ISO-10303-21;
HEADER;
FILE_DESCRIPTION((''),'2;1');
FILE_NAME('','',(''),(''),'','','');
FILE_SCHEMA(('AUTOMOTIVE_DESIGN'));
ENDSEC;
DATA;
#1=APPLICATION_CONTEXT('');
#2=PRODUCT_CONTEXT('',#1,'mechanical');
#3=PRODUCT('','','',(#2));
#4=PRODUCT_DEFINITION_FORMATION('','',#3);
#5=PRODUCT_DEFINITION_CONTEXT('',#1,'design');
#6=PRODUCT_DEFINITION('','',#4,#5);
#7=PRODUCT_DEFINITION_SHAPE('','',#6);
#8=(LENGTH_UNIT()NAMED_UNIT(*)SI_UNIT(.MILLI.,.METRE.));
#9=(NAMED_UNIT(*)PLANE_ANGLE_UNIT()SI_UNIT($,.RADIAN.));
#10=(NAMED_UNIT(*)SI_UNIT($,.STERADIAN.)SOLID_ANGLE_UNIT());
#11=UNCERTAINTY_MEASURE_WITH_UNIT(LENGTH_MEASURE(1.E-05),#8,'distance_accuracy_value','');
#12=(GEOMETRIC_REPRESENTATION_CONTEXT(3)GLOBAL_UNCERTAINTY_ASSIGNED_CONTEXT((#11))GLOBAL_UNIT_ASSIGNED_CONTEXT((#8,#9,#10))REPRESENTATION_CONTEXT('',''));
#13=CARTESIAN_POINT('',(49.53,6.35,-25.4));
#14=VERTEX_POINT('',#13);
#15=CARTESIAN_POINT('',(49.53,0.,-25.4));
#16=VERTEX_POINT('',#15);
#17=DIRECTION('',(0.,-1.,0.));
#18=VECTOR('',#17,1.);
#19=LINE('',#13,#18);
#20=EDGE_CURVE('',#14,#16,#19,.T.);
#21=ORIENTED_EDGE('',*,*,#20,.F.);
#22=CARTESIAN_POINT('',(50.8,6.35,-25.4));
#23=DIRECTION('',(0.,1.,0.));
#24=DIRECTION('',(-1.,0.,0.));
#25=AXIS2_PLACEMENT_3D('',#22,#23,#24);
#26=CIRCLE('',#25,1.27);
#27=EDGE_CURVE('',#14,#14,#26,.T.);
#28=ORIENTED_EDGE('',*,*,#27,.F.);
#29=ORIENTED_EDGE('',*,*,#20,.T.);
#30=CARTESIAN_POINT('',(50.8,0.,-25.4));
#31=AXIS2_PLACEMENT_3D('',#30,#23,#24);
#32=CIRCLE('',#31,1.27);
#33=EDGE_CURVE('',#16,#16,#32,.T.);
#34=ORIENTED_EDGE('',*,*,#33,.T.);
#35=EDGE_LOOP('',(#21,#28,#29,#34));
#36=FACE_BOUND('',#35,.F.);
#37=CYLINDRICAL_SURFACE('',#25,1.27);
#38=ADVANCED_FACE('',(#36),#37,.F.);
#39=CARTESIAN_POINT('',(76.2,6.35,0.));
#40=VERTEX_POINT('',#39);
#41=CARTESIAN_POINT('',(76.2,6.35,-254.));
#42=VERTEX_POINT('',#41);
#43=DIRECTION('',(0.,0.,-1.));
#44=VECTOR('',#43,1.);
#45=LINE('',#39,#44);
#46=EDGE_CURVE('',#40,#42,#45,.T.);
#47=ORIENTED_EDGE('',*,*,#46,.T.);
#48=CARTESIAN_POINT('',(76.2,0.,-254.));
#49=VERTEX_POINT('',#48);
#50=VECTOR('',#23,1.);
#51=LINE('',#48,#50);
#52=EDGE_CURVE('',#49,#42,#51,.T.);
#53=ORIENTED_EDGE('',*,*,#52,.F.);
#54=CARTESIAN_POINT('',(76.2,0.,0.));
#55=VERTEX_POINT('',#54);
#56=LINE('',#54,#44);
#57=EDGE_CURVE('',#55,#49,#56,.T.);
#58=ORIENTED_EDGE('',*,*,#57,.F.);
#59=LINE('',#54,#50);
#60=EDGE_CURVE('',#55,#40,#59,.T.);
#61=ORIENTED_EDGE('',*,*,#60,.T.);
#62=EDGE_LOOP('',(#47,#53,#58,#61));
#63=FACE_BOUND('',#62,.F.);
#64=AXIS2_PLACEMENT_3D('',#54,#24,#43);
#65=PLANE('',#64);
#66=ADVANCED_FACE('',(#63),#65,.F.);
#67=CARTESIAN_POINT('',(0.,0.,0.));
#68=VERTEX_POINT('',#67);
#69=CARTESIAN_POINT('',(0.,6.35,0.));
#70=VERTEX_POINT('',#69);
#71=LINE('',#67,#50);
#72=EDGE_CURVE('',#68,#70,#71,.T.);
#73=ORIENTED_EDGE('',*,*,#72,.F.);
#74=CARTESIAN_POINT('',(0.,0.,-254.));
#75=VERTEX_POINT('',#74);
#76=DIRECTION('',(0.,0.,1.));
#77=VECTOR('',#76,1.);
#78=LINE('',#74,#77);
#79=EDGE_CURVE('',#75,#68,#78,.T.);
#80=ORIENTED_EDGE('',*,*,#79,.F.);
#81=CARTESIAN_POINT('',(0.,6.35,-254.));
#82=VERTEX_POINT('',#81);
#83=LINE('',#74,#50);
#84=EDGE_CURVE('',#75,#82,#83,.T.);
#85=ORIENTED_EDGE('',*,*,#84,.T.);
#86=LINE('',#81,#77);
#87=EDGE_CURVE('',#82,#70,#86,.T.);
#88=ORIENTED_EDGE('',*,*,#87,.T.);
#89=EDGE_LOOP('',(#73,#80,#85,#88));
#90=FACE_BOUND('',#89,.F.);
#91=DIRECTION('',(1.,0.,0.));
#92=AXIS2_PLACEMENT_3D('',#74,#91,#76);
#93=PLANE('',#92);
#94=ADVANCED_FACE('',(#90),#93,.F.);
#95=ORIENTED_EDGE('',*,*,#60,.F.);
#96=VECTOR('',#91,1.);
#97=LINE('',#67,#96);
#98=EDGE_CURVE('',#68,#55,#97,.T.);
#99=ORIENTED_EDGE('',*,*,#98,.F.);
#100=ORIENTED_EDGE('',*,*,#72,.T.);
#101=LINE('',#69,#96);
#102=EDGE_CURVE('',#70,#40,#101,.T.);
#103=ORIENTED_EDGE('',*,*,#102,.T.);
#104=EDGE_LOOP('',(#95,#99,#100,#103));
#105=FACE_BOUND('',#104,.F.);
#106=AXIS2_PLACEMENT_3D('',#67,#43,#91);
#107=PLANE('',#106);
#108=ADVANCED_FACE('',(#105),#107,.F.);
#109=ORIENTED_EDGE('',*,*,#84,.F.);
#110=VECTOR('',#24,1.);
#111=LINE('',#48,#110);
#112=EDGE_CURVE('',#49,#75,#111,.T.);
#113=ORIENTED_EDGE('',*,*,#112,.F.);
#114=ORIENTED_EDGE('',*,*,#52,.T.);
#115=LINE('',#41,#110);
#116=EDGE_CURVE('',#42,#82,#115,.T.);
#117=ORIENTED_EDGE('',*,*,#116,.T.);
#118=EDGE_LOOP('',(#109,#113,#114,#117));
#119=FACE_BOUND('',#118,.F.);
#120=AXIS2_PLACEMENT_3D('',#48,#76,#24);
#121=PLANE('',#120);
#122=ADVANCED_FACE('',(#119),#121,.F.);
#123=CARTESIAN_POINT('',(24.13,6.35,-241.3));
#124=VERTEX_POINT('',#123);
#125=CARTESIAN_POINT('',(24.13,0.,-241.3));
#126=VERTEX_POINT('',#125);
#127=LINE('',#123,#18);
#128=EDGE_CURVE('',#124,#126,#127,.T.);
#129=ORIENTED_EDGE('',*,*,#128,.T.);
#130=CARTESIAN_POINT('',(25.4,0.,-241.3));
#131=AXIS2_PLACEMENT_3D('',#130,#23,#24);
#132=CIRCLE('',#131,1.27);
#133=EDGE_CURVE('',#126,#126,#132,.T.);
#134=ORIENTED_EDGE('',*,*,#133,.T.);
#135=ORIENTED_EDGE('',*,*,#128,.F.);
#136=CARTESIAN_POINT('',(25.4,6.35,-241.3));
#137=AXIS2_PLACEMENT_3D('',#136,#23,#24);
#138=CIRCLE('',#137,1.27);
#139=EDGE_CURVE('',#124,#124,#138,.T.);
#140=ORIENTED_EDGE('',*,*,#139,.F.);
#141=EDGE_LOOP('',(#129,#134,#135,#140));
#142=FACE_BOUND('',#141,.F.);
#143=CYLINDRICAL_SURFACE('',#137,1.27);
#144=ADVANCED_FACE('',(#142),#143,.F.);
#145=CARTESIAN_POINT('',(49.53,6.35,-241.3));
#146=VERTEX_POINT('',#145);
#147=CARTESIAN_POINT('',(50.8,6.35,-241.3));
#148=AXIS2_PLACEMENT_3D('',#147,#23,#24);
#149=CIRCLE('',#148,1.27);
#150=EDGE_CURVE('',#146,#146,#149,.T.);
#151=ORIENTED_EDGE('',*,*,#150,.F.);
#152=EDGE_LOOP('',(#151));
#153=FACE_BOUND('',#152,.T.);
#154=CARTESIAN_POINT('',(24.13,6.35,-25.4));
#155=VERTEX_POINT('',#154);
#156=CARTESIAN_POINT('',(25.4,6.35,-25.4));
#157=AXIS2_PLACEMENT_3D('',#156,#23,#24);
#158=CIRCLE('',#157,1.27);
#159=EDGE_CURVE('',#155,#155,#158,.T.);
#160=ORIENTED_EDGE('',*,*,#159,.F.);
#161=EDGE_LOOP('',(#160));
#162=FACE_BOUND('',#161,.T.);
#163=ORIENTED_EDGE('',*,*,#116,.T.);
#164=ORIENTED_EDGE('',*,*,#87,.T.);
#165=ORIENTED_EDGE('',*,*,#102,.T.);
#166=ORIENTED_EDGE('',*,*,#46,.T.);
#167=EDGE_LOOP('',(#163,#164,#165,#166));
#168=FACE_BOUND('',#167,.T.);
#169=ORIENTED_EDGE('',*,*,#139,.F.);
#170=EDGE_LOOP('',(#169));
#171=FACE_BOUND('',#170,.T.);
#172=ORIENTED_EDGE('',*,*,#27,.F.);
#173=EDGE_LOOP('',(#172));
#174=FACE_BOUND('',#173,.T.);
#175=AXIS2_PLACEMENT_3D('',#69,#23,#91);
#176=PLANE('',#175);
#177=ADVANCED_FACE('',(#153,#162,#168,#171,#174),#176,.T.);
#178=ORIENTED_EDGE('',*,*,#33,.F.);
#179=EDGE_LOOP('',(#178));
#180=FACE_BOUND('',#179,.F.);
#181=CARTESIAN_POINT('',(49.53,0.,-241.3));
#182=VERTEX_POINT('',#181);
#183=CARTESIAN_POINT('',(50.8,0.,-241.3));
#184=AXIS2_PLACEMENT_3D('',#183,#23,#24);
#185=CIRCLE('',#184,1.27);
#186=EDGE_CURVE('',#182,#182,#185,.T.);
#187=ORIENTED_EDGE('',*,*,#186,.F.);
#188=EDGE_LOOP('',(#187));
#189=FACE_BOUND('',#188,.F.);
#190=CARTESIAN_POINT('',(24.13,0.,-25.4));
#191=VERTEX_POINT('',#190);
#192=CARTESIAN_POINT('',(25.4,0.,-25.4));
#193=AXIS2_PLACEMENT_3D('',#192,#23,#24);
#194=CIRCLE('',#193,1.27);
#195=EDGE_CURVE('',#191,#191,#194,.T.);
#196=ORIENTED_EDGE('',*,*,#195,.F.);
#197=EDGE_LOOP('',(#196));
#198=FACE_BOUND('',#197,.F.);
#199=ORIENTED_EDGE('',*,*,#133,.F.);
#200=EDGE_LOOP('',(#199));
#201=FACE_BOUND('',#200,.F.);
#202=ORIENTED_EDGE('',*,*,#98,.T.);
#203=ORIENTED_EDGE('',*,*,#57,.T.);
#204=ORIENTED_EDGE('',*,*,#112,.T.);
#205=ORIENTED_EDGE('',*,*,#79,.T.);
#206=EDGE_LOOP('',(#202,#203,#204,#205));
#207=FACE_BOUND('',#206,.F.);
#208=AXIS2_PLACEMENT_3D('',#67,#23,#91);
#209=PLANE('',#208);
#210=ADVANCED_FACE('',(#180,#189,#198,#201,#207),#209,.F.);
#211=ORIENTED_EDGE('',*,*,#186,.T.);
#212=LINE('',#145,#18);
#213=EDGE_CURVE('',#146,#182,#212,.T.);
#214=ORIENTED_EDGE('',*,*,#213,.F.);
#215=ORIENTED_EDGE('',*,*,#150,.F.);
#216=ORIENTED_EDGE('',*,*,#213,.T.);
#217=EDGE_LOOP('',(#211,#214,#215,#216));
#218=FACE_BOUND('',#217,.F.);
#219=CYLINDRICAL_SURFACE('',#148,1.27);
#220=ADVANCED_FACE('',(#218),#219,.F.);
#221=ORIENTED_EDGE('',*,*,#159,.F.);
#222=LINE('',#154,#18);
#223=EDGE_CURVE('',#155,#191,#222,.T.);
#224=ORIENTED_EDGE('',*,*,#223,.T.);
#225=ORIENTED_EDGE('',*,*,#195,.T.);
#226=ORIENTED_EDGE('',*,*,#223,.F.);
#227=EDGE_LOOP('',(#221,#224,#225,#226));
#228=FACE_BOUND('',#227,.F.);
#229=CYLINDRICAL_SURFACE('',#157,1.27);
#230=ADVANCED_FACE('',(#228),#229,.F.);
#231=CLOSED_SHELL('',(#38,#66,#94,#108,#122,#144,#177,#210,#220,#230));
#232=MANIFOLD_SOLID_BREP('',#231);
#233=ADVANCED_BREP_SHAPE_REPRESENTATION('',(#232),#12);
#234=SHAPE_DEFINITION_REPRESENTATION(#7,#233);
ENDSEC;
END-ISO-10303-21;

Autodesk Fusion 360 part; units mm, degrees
sketch "Sketch1" plane through (0, 0, 0) normal (0, 1, 0) x (1, 0, 0)
  line L0 (0, 0) -> (76.2, 0)
  line L1 (76.2, 0) -> (76.2, 254)
  line L2 (76.2, 254) -> (0, 254)
  line L3 (0, 254) -> (0, 0)
extrude "Extrude1" add sketch "Sketch1" along normal blind 6.35
sketch "Sketch2" plane through (0, 6.35, 0) normal (0, 1, 0) x (-1, 0, 0)
  line L0 (0, -254) -> (0, 0)
  line L1 (0, 0) -> (-76.2, 0)
  line L2 (-76.2, 0) -> (-76.2, -254)
  line L3 (-76.2, -254) -> (0, -254)
  circle A0 centre (-25.4, -25.4) radius 1.27
  circle A1 centre (-50.8, -25.4) radius 1.27
  circle A2 centre (-25.4, -241.3) radius 1.27
  circle A3 centre (-50.8, -241.3) radius 1.27
  dimension "d3" = 2.54
  dimension "d4" = 2.54
  dimension "d5" = 2.54
  dimension "d6" = 2.54
extrude "Extrude2" cut sketch "Sketch2" against normal blind 6.35 contours A0
sketch "Sketch3" plane through (0, 6.35, 0) normal (0, 1, 0) x (-1, 0, 0)
  circle A0 centre (-25.4, -25.4) radius 1.27
  line L0 (0, -254) -> (0, 0)
  line L1 (0, 0) -> (-76.2, 0)
  line L2 (-76.2, 0) -> (-76.2, -254)
  line L3 (-76.2, -254) -> (0, -254)
  circle A1 centre (-50.8, -25.4) radius 1.27
  dimension "d9" = 2.54
extrude "Extrude3" cut sketch "Sketch3" against normal blind 6.35 contours A1
sketch "Sketch4" plane through (0, 6.35, 0) normal (0, 1, 0) x (-1, 0, 0)
  circle A0 centre (-50.8, -25.4) radius 1.27
  circle A1 centre (-25.4, -25.4) radius 1.27
  line L0 (0, -254) -> (0, 0)
  line L1 (0, 0) -> (-76.2, 0)
  line L2 (-76.2, 0) -> (-76.2, -254)
  line L3 (-76.2, -254) -> (0, -254)
  circle A2 centre (-25.4, -241.3) radius 1.27
  dimension "d12" = 2.54
extrude "Extrude4" cut sketch "Sketch4" against normal blind 6.35 contours A2
sketch "Sketch5" plane through (0, 6.35, 0) normal (0, 1, 0) x (-1, 0, 0)
  circle A0 centre (-25.4, -241.3) radius 1.27
  circle A1 centre (-50.8, -25.4) radius 1.27
  circle A2 centre (-25.4, -25.4) radius 1.27
  line L0 (0, -254) -> (0, 0)
  line L1 (0, 0) -> (-76.2, 0)
  line L2 (-76.2, 0) -> (-76.2, -254)
  line L3 (-76.2, -254) -> (0, -254)
  circle A3 centre (-50.8, -241.3) radius 1.27
  dimension "d15" = 2.54
extrude "Extrude5" cut sketch "Sketch5" against normal blind 6.35 contours A3
